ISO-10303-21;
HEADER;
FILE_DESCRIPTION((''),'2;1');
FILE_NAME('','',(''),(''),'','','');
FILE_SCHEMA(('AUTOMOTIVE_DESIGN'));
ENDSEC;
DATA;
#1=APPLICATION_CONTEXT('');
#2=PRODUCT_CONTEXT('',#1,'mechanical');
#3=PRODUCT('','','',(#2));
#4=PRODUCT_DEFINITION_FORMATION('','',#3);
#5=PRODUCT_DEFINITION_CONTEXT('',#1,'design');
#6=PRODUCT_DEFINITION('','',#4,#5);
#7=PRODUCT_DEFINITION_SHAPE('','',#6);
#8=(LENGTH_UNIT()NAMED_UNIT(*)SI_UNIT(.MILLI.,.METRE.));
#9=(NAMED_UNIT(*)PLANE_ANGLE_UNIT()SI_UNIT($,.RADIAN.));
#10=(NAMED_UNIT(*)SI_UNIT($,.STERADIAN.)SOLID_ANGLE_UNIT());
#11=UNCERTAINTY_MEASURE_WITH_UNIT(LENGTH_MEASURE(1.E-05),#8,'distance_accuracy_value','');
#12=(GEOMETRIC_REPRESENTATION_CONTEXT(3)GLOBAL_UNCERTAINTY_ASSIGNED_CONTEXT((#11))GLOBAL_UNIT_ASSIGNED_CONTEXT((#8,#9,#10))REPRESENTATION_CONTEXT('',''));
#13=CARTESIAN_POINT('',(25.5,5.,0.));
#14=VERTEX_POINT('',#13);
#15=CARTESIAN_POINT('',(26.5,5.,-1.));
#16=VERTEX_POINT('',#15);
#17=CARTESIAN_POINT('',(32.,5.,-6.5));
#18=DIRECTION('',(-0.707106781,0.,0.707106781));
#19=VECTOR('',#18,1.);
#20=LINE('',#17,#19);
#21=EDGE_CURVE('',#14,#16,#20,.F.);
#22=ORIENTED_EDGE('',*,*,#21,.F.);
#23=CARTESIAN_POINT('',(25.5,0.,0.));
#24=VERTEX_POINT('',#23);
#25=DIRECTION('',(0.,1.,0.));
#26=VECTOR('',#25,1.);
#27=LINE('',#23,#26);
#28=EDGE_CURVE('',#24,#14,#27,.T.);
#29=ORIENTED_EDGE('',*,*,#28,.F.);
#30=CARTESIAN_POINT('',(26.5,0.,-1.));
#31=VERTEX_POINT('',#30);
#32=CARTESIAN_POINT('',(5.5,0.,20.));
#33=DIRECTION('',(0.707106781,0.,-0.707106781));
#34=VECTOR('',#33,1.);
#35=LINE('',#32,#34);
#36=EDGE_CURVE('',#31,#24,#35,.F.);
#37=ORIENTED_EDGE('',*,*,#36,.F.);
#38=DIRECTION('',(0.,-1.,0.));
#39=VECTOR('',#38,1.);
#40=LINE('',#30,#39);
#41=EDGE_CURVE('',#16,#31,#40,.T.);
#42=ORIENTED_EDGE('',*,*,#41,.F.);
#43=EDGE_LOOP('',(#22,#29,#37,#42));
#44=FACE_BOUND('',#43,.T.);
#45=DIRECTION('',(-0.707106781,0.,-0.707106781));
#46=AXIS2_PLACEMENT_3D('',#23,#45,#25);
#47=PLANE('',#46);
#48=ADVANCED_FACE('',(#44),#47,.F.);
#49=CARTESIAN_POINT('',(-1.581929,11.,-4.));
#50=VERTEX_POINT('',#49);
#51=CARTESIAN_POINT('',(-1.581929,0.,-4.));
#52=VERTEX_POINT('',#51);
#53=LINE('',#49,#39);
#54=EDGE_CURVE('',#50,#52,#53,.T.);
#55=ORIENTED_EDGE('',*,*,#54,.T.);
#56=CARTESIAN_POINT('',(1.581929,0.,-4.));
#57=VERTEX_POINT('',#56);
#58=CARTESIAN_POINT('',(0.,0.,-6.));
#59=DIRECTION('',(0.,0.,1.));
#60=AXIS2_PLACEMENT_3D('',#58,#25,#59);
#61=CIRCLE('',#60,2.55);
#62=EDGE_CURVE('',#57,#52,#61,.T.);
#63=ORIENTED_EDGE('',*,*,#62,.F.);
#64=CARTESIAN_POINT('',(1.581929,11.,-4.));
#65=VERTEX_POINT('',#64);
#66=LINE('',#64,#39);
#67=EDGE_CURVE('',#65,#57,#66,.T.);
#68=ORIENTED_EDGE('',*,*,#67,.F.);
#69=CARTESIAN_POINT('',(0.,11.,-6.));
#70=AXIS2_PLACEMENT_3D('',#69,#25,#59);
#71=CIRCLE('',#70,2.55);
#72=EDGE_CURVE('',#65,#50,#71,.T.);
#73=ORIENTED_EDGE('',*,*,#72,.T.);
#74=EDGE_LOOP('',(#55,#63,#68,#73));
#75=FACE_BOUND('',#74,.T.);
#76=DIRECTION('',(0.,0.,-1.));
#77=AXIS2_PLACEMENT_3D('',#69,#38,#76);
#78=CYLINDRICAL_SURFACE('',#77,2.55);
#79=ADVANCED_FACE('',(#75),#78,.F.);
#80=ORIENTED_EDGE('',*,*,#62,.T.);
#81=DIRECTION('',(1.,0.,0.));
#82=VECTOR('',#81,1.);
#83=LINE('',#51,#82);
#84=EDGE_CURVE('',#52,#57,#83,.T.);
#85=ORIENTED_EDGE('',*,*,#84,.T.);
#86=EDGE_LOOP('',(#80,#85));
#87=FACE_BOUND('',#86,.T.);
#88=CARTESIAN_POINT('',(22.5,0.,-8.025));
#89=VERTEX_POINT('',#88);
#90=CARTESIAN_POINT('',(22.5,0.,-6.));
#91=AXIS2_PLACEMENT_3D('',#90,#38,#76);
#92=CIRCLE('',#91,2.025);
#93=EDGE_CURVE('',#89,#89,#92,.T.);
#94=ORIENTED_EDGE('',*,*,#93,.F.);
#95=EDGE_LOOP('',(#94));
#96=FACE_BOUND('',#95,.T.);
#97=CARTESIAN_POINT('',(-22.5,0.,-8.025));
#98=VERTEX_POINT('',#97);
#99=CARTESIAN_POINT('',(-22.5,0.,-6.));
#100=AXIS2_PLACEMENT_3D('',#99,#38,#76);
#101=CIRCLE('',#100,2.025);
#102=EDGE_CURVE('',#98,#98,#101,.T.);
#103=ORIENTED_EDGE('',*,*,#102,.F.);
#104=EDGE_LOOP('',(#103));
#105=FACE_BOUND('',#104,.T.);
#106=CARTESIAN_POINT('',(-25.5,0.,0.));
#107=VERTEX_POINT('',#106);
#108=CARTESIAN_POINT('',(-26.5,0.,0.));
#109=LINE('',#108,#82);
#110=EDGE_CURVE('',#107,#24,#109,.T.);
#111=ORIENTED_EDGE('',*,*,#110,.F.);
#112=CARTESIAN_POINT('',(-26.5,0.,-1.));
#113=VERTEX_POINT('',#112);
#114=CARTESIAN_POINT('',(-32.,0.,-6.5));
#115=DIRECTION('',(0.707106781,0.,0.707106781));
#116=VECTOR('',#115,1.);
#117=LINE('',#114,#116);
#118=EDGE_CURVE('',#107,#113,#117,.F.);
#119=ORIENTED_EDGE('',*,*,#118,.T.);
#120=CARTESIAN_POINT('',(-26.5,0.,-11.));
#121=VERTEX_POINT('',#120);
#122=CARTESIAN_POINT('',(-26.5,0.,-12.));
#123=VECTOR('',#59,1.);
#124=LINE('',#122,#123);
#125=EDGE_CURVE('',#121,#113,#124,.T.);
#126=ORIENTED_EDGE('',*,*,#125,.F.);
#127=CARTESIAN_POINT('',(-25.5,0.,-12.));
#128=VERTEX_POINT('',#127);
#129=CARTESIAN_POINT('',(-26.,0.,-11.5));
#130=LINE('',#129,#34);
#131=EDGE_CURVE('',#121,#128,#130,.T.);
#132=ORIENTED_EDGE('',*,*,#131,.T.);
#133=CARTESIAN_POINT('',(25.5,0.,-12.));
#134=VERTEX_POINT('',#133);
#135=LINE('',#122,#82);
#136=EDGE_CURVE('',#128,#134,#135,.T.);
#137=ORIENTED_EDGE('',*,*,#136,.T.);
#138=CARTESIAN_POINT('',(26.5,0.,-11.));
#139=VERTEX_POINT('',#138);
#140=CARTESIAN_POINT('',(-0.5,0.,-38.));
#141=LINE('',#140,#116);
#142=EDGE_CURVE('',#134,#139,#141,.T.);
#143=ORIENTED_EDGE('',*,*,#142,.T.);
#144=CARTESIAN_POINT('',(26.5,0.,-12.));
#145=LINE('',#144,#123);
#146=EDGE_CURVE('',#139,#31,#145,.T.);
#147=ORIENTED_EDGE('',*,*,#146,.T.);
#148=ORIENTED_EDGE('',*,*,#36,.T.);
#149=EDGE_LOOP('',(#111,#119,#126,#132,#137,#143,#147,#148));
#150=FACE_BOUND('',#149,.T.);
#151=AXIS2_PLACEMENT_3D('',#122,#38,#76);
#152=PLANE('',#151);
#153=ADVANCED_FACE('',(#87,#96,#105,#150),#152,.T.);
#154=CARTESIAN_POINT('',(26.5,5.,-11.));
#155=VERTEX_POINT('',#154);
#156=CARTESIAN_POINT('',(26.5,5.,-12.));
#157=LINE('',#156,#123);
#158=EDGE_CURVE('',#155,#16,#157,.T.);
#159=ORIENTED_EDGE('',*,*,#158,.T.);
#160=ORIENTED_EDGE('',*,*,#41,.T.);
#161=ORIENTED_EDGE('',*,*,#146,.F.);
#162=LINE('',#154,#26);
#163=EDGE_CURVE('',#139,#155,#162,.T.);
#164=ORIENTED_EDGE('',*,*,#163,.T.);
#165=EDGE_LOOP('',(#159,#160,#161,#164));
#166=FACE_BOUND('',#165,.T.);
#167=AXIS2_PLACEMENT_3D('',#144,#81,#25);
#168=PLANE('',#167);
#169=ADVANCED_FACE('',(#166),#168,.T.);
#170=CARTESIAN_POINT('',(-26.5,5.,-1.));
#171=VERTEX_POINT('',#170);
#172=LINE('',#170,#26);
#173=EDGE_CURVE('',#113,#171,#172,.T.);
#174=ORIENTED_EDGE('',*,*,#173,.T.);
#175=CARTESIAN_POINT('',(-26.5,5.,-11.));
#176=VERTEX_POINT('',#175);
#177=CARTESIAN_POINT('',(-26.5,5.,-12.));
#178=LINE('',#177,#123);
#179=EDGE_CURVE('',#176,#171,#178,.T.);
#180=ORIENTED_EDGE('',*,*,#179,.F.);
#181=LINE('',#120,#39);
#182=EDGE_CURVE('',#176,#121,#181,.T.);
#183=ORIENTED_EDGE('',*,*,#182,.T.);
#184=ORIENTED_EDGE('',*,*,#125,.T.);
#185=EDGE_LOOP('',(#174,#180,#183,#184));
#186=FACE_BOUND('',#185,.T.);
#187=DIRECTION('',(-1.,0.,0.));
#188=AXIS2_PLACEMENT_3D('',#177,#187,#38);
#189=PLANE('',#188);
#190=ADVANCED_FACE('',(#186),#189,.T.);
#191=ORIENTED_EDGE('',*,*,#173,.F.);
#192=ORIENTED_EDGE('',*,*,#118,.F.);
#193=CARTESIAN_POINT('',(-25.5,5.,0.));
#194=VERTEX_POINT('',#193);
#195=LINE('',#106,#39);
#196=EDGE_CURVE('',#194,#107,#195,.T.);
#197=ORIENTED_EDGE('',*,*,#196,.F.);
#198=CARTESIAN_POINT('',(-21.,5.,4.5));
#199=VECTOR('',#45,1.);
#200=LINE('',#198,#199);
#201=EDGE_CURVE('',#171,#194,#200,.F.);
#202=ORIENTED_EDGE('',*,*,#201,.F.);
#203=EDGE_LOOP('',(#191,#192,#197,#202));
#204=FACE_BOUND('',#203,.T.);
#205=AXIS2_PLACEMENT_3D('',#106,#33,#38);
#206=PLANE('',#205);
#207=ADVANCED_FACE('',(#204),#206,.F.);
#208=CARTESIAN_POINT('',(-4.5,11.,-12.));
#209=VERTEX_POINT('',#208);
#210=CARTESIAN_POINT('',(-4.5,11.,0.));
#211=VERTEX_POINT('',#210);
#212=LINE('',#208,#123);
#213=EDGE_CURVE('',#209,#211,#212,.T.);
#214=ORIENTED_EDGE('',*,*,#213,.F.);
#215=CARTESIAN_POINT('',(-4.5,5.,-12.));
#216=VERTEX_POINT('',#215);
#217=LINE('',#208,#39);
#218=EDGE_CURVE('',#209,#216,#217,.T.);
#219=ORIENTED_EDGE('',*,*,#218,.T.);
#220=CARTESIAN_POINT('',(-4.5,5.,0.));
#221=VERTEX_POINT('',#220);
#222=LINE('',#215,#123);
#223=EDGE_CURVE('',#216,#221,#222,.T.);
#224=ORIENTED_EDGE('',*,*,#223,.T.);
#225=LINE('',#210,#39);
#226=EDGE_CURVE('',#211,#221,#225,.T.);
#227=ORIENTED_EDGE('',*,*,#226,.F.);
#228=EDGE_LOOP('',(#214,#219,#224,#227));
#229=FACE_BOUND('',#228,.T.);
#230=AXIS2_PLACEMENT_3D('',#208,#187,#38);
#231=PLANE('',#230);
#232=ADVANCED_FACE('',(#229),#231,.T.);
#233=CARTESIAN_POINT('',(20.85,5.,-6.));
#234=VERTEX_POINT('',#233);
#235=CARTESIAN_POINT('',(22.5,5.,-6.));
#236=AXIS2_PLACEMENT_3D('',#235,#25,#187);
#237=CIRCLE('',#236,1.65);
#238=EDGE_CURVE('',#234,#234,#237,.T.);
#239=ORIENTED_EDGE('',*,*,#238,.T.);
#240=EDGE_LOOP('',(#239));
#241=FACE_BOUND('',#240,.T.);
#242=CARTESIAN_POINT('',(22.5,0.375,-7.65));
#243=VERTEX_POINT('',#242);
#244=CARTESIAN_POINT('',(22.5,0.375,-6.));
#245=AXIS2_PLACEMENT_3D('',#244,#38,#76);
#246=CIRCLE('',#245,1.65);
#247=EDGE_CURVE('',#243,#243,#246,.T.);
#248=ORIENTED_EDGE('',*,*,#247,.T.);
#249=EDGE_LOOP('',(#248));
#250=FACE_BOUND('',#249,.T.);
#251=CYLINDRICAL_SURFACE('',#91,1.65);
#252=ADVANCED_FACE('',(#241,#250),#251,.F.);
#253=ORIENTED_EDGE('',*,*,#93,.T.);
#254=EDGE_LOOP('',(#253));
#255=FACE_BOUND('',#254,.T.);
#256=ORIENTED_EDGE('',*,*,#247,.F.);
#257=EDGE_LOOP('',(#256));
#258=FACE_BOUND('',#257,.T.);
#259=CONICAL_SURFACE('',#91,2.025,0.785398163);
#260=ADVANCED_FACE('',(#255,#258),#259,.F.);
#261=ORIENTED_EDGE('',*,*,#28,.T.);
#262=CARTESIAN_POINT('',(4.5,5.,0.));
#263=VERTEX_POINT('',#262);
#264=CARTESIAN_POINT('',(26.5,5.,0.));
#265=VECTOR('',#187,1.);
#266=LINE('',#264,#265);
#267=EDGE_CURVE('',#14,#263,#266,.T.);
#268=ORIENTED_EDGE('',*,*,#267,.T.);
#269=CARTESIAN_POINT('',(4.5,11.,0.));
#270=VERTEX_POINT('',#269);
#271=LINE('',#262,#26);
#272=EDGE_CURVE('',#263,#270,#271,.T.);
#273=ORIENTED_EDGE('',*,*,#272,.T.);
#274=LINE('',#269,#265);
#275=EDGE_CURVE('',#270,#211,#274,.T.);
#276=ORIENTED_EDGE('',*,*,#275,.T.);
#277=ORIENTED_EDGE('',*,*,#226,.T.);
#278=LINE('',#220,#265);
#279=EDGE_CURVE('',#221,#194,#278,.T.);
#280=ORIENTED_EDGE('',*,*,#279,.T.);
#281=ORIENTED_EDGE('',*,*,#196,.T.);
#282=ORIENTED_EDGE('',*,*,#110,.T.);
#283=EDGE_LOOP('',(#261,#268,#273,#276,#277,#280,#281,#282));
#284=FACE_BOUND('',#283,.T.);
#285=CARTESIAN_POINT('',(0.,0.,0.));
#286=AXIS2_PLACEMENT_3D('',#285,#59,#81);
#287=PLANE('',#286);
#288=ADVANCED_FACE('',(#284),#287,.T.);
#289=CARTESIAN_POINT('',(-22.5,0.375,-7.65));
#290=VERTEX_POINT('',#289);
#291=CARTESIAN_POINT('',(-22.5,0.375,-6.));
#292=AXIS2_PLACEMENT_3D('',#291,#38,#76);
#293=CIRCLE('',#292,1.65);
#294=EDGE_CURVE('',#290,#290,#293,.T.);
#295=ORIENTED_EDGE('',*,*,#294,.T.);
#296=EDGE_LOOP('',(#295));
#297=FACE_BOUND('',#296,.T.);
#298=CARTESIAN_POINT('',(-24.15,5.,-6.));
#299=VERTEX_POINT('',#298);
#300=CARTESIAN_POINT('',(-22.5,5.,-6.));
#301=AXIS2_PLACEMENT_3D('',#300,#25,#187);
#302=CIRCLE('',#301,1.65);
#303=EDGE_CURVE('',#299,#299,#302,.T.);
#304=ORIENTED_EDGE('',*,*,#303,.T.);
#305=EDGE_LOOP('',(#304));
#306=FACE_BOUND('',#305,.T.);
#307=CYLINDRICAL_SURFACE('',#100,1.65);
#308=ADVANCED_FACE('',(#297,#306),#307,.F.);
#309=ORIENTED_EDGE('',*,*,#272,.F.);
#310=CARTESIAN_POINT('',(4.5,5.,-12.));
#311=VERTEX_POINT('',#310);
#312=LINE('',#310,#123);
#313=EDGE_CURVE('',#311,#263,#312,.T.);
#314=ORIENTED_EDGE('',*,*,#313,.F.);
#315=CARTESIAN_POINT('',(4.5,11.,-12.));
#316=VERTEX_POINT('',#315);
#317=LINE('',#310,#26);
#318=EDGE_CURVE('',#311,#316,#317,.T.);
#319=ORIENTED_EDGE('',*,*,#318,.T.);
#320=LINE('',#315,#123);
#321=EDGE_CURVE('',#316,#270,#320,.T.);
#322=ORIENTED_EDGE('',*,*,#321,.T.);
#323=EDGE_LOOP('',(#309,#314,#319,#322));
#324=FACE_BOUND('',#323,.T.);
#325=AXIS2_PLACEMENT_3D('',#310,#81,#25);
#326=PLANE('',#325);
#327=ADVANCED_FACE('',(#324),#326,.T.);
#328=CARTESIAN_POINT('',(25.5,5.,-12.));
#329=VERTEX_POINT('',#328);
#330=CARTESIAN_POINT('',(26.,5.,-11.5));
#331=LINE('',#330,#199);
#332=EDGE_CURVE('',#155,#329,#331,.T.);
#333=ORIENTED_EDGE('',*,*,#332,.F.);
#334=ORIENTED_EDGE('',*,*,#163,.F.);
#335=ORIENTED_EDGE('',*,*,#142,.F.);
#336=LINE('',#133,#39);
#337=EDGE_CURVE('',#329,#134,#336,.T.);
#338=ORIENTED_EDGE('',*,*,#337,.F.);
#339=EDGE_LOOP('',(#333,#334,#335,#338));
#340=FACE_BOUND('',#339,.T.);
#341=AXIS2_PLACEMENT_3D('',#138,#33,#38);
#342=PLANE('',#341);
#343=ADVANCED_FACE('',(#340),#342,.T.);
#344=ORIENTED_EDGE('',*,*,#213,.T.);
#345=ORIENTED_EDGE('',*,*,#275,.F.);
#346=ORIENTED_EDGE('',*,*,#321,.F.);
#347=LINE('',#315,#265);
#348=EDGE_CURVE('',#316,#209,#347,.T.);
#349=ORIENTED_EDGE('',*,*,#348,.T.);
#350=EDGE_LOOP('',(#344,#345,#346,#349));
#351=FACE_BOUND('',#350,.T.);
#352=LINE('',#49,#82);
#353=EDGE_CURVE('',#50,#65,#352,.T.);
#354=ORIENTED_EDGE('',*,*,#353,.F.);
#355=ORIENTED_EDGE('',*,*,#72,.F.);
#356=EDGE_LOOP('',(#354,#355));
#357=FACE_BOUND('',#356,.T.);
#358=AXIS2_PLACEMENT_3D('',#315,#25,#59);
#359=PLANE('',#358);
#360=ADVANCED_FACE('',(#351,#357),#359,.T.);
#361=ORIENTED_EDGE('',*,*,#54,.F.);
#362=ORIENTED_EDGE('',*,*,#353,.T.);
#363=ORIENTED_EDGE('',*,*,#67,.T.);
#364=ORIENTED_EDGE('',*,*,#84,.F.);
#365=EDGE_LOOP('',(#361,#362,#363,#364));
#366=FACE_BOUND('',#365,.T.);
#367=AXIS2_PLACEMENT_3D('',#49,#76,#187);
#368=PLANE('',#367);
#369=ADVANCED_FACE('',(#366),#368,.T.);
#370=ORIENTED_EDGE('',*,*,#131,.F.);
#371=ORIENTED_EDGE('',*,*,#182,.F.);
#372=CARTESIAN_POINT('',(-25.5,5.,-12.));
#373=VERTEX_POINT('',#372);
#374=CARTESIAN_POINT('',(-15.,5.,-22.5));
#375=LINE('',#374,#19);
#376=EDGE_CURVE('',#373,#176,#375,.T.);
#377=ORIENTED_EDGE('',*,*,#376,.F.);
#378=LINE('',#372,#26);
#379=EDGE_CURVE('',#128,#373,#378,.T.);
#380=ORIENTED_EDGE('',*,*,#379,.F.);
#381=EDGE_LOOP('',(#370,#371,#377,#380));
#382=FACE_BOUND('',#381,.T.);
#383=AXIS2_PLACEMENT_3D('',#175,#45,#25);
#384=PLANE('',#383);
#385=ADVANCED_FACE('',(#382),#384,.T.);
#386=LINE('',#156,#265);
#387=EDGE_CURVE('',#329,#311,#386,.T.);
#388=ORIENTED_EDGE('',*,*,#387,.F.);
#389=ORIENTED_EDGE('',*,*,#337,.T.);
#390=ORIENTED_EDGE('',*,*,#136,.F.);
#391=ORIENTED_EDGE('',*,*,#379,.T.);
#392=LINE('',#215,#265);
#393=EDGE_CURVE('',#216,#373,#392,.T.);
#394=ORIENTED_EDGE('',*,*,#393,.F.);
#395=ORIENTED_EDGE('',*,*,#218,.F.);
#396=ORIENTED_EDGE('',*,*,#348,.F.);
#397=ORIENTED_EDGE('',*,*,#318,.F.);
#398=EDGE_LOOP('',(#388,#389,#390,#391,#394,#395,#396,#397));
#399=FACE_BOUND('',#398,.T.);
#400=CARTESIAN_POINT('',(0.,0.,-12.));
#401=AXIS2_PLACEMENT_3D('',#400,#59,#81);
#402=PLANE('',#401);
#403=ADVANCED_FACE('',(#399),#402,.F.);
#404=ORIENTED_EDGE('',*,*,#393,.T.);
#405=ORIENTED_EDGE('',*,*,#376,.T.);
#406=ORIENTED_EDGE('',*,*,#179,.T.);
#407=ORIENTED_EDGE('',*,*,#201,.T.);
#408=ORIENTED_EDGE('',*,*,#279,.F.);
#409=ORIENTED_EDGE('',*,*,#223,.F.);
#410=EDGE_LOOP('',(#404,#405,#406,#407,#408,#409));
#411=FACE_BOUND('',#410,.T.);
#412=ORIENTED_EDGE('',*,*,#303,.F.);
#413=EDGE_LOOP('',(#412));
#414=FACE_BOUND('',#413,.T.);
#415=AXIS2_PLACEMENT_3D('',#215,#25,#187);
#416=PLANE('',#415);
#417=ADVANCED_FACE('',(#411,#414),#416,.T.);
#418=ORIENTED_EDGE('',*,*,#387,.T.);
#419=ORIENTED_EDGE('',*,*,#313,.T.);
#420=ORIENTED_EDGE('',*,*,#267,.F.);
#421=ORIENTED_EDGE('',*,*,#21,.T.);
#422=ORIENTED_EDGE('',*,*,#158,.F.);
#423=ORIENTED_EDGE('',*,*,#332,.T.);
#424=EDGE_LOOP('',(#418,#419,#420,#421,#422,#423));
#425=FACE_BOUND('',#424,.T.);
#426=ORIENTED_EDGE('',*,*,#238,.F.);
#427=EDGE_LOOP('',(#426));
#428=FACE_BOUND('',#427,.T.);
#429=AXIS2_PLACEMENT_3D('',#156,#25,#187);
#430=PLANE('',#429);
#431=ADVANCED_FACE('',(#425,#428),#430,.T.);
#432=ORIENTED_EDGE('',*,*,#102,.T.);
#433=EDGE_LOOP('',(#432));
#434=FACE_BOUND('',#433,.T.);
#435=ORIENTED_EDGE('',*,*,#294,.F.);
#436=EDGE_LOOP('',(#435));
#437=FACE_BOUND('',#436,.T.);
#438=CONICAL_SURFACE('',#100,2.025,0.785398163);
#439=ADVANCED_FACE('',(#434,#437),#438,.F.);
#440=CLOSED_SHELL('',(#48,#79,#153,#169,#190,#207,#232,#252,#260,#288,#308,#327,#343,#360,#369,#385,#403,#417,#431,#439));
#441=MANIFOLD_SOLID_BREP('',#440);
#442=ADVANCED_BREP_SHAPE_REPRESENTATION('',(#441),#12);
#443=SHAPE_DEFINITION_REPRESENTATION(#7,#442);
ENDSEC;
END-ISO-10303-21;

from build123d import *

# Parameters (mm, degrees)
BODY_EXTRUDE_DEPTH              = 12
M4X0_7_TAPPED_HOLE6_D           = 3.3
M4X0_7_TAPPED_HOLE6_CSINK_D     = 4.05
M4X0_7_TAPPED_HOLE6_CSINK_ANGLE = 90
CUT_EXTRUDE1_DEPTH              = 32.10064308
CHAMFER1_SIZE                   = 1


with BuildPart() as part:
    # Sketch1 → Body Extrude (new body)
    with BuildSketch(Plane.XY):
        Polygon((-26.5, 0), (26.5, 0), (26.5, 5), (4.5, 5), (4.5, 11), (-4.5, 11), (-4.5, 5), (-26.5, 5), align=None)
    extrude(amount=-BODY_EXTRUDE_DEPTH)

    # M4x0.7 Tapped Hole6 (through all)
    with Locations(Plane.XZ):
        with Locations((-22.5, -6), (22.5, -6)):
            CounterSinkHole(M4X0_7_TAPPED_HOLE6_D / 2, M4X0_7_TAPPED_HOLE6_CSINK_D / 2, counter_sink_angle=M4X0_7_TAPPED_HOLE6_CSINK_ANGLE)

    # Sketch2 → Cut-Extrude1 (cut, through all)
    with BuildSketch(Plane(origin=(0, 0, 0), x_dir=(1, 0, 0), z_dir=(0, 1, 0))):
        with BuildLine():
            Line((-1.581929202, 4), (1.581929202, 4))
            ThreePointArc((1.581929202, 4), (0, 8.55), (-1.581929202, 4))
        make_face()
    extrude(amount=CUT_EXTRUDE1_DEPTH, mode=Mode.SUBTRACT)

    # Chamfer1
    chamfer1_edges = [part.edges().sort_by_distance(p)[0] for p in [
        (26.5, 2.5, 0),
        (-26.5, 2.5, 0),
        (26.5, 2.5, -12),
        (-26.5, 2.5, -12),
    ]]
    chamfer(chamfer1_edges, length=CHAMFER1_SIZE)


solid = part.part
